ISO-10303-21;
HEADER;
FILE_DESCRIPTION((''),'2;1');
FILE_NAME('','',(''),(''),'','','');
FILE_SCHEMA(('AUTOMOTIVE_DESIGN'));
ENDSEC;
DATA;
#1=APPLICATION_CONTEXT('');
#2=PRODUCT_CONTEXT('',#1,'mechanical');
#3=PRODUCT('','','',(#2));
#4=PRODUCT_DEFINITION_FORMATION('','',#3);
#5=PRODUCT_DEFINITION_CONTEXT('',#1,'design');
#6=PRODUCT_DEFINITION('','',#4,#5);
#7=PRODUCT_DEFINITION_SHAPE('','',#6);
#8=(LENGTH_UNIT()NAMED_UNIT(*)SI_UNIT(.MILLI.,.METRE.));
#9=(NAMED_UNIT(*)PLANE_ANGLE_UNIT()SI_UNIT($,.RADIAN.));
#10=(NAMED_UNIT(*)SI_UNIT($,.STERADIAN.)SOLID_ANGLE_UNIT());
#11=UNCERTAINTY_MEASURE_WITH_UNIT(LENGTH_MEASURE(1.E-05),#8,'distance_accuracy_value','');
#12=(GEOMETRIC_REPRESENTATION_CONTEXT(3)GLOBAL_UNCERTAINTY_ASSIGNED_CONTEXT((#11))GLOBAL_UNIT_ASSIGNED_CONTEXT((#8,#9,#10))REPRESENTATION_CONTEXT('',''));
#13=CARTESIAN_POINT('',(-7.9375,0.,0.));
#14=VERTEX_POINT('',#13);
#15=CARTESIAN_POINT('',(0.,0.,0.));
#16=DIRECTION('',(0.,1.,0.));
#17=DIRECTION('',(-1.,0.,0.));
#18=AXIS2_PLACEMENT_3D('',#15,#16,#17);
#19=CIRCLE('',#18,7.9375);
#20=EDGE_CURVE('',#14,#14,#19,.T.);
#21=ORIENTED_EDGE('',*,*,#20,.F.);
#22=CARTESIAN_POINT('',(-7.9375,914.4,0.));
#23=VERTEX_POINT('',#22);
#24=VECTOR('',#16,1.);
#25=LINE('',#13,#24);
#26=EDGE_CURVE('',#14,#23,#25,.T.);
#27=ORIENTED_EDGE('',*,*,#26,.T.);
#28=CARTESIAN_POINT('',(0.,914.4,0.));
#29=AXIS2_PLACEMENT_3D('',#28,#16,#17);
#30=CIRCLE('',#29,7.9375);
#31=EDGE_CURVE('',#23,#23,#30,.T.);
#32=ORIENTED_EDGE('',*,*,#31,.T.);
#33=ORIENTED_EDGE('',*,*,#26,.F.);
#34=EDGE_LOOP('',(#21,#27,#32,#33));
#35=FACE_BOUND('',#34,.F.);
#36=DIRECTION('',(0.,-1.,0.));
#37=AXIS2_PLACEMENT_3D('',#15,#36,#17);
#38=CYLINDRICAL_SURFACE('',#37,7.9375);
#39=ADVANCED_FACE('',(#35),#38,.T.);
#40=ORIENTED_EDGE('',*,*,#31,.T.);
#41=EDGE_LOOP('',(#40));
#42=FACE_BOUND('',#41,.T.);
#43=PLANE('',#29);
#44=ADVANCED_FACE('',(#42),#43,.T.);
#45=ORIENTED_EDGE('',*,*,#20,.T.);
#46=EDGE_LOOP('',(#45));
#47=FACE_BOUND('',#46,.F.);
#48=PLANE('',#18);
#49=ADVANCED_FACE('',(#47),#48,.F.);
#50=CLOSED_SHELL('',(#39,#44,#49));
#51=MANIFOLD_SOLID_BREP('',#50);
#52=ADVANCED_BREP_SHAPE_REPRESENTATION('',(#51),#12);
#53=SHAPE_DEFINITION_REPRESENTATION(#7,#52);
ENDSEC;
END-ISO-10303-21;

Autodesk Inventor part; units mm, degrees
ref_plane "YZ Plane" through (0, 0, 0) normal (1, 0, 0) x (0, 1, 0)
ref_plane "XZ Plane" through (0, 0, 0) normal (0, 1, 0) x (-1, 0, 0)
ref_plane "XY Plane" through (0, 0, 0) normal (0, 0, 1) x (1, 0, 0)
sketch "S05_Profile" plane through (0, 0, 0) normal (0, 1, 0) x (-1, 0, 0)
  circle A0 centre (0, 0) radius 7.9375
extrude "S05_BarBody" add sketch "S05_Profile" along normal blind 914.4
equation "\"BarLength\" = 914.4"
equation "\"BarDiameter\" = 15.875"
equation "\"DIM_LENGTH\" = 914.4"
properties part number "S05"
